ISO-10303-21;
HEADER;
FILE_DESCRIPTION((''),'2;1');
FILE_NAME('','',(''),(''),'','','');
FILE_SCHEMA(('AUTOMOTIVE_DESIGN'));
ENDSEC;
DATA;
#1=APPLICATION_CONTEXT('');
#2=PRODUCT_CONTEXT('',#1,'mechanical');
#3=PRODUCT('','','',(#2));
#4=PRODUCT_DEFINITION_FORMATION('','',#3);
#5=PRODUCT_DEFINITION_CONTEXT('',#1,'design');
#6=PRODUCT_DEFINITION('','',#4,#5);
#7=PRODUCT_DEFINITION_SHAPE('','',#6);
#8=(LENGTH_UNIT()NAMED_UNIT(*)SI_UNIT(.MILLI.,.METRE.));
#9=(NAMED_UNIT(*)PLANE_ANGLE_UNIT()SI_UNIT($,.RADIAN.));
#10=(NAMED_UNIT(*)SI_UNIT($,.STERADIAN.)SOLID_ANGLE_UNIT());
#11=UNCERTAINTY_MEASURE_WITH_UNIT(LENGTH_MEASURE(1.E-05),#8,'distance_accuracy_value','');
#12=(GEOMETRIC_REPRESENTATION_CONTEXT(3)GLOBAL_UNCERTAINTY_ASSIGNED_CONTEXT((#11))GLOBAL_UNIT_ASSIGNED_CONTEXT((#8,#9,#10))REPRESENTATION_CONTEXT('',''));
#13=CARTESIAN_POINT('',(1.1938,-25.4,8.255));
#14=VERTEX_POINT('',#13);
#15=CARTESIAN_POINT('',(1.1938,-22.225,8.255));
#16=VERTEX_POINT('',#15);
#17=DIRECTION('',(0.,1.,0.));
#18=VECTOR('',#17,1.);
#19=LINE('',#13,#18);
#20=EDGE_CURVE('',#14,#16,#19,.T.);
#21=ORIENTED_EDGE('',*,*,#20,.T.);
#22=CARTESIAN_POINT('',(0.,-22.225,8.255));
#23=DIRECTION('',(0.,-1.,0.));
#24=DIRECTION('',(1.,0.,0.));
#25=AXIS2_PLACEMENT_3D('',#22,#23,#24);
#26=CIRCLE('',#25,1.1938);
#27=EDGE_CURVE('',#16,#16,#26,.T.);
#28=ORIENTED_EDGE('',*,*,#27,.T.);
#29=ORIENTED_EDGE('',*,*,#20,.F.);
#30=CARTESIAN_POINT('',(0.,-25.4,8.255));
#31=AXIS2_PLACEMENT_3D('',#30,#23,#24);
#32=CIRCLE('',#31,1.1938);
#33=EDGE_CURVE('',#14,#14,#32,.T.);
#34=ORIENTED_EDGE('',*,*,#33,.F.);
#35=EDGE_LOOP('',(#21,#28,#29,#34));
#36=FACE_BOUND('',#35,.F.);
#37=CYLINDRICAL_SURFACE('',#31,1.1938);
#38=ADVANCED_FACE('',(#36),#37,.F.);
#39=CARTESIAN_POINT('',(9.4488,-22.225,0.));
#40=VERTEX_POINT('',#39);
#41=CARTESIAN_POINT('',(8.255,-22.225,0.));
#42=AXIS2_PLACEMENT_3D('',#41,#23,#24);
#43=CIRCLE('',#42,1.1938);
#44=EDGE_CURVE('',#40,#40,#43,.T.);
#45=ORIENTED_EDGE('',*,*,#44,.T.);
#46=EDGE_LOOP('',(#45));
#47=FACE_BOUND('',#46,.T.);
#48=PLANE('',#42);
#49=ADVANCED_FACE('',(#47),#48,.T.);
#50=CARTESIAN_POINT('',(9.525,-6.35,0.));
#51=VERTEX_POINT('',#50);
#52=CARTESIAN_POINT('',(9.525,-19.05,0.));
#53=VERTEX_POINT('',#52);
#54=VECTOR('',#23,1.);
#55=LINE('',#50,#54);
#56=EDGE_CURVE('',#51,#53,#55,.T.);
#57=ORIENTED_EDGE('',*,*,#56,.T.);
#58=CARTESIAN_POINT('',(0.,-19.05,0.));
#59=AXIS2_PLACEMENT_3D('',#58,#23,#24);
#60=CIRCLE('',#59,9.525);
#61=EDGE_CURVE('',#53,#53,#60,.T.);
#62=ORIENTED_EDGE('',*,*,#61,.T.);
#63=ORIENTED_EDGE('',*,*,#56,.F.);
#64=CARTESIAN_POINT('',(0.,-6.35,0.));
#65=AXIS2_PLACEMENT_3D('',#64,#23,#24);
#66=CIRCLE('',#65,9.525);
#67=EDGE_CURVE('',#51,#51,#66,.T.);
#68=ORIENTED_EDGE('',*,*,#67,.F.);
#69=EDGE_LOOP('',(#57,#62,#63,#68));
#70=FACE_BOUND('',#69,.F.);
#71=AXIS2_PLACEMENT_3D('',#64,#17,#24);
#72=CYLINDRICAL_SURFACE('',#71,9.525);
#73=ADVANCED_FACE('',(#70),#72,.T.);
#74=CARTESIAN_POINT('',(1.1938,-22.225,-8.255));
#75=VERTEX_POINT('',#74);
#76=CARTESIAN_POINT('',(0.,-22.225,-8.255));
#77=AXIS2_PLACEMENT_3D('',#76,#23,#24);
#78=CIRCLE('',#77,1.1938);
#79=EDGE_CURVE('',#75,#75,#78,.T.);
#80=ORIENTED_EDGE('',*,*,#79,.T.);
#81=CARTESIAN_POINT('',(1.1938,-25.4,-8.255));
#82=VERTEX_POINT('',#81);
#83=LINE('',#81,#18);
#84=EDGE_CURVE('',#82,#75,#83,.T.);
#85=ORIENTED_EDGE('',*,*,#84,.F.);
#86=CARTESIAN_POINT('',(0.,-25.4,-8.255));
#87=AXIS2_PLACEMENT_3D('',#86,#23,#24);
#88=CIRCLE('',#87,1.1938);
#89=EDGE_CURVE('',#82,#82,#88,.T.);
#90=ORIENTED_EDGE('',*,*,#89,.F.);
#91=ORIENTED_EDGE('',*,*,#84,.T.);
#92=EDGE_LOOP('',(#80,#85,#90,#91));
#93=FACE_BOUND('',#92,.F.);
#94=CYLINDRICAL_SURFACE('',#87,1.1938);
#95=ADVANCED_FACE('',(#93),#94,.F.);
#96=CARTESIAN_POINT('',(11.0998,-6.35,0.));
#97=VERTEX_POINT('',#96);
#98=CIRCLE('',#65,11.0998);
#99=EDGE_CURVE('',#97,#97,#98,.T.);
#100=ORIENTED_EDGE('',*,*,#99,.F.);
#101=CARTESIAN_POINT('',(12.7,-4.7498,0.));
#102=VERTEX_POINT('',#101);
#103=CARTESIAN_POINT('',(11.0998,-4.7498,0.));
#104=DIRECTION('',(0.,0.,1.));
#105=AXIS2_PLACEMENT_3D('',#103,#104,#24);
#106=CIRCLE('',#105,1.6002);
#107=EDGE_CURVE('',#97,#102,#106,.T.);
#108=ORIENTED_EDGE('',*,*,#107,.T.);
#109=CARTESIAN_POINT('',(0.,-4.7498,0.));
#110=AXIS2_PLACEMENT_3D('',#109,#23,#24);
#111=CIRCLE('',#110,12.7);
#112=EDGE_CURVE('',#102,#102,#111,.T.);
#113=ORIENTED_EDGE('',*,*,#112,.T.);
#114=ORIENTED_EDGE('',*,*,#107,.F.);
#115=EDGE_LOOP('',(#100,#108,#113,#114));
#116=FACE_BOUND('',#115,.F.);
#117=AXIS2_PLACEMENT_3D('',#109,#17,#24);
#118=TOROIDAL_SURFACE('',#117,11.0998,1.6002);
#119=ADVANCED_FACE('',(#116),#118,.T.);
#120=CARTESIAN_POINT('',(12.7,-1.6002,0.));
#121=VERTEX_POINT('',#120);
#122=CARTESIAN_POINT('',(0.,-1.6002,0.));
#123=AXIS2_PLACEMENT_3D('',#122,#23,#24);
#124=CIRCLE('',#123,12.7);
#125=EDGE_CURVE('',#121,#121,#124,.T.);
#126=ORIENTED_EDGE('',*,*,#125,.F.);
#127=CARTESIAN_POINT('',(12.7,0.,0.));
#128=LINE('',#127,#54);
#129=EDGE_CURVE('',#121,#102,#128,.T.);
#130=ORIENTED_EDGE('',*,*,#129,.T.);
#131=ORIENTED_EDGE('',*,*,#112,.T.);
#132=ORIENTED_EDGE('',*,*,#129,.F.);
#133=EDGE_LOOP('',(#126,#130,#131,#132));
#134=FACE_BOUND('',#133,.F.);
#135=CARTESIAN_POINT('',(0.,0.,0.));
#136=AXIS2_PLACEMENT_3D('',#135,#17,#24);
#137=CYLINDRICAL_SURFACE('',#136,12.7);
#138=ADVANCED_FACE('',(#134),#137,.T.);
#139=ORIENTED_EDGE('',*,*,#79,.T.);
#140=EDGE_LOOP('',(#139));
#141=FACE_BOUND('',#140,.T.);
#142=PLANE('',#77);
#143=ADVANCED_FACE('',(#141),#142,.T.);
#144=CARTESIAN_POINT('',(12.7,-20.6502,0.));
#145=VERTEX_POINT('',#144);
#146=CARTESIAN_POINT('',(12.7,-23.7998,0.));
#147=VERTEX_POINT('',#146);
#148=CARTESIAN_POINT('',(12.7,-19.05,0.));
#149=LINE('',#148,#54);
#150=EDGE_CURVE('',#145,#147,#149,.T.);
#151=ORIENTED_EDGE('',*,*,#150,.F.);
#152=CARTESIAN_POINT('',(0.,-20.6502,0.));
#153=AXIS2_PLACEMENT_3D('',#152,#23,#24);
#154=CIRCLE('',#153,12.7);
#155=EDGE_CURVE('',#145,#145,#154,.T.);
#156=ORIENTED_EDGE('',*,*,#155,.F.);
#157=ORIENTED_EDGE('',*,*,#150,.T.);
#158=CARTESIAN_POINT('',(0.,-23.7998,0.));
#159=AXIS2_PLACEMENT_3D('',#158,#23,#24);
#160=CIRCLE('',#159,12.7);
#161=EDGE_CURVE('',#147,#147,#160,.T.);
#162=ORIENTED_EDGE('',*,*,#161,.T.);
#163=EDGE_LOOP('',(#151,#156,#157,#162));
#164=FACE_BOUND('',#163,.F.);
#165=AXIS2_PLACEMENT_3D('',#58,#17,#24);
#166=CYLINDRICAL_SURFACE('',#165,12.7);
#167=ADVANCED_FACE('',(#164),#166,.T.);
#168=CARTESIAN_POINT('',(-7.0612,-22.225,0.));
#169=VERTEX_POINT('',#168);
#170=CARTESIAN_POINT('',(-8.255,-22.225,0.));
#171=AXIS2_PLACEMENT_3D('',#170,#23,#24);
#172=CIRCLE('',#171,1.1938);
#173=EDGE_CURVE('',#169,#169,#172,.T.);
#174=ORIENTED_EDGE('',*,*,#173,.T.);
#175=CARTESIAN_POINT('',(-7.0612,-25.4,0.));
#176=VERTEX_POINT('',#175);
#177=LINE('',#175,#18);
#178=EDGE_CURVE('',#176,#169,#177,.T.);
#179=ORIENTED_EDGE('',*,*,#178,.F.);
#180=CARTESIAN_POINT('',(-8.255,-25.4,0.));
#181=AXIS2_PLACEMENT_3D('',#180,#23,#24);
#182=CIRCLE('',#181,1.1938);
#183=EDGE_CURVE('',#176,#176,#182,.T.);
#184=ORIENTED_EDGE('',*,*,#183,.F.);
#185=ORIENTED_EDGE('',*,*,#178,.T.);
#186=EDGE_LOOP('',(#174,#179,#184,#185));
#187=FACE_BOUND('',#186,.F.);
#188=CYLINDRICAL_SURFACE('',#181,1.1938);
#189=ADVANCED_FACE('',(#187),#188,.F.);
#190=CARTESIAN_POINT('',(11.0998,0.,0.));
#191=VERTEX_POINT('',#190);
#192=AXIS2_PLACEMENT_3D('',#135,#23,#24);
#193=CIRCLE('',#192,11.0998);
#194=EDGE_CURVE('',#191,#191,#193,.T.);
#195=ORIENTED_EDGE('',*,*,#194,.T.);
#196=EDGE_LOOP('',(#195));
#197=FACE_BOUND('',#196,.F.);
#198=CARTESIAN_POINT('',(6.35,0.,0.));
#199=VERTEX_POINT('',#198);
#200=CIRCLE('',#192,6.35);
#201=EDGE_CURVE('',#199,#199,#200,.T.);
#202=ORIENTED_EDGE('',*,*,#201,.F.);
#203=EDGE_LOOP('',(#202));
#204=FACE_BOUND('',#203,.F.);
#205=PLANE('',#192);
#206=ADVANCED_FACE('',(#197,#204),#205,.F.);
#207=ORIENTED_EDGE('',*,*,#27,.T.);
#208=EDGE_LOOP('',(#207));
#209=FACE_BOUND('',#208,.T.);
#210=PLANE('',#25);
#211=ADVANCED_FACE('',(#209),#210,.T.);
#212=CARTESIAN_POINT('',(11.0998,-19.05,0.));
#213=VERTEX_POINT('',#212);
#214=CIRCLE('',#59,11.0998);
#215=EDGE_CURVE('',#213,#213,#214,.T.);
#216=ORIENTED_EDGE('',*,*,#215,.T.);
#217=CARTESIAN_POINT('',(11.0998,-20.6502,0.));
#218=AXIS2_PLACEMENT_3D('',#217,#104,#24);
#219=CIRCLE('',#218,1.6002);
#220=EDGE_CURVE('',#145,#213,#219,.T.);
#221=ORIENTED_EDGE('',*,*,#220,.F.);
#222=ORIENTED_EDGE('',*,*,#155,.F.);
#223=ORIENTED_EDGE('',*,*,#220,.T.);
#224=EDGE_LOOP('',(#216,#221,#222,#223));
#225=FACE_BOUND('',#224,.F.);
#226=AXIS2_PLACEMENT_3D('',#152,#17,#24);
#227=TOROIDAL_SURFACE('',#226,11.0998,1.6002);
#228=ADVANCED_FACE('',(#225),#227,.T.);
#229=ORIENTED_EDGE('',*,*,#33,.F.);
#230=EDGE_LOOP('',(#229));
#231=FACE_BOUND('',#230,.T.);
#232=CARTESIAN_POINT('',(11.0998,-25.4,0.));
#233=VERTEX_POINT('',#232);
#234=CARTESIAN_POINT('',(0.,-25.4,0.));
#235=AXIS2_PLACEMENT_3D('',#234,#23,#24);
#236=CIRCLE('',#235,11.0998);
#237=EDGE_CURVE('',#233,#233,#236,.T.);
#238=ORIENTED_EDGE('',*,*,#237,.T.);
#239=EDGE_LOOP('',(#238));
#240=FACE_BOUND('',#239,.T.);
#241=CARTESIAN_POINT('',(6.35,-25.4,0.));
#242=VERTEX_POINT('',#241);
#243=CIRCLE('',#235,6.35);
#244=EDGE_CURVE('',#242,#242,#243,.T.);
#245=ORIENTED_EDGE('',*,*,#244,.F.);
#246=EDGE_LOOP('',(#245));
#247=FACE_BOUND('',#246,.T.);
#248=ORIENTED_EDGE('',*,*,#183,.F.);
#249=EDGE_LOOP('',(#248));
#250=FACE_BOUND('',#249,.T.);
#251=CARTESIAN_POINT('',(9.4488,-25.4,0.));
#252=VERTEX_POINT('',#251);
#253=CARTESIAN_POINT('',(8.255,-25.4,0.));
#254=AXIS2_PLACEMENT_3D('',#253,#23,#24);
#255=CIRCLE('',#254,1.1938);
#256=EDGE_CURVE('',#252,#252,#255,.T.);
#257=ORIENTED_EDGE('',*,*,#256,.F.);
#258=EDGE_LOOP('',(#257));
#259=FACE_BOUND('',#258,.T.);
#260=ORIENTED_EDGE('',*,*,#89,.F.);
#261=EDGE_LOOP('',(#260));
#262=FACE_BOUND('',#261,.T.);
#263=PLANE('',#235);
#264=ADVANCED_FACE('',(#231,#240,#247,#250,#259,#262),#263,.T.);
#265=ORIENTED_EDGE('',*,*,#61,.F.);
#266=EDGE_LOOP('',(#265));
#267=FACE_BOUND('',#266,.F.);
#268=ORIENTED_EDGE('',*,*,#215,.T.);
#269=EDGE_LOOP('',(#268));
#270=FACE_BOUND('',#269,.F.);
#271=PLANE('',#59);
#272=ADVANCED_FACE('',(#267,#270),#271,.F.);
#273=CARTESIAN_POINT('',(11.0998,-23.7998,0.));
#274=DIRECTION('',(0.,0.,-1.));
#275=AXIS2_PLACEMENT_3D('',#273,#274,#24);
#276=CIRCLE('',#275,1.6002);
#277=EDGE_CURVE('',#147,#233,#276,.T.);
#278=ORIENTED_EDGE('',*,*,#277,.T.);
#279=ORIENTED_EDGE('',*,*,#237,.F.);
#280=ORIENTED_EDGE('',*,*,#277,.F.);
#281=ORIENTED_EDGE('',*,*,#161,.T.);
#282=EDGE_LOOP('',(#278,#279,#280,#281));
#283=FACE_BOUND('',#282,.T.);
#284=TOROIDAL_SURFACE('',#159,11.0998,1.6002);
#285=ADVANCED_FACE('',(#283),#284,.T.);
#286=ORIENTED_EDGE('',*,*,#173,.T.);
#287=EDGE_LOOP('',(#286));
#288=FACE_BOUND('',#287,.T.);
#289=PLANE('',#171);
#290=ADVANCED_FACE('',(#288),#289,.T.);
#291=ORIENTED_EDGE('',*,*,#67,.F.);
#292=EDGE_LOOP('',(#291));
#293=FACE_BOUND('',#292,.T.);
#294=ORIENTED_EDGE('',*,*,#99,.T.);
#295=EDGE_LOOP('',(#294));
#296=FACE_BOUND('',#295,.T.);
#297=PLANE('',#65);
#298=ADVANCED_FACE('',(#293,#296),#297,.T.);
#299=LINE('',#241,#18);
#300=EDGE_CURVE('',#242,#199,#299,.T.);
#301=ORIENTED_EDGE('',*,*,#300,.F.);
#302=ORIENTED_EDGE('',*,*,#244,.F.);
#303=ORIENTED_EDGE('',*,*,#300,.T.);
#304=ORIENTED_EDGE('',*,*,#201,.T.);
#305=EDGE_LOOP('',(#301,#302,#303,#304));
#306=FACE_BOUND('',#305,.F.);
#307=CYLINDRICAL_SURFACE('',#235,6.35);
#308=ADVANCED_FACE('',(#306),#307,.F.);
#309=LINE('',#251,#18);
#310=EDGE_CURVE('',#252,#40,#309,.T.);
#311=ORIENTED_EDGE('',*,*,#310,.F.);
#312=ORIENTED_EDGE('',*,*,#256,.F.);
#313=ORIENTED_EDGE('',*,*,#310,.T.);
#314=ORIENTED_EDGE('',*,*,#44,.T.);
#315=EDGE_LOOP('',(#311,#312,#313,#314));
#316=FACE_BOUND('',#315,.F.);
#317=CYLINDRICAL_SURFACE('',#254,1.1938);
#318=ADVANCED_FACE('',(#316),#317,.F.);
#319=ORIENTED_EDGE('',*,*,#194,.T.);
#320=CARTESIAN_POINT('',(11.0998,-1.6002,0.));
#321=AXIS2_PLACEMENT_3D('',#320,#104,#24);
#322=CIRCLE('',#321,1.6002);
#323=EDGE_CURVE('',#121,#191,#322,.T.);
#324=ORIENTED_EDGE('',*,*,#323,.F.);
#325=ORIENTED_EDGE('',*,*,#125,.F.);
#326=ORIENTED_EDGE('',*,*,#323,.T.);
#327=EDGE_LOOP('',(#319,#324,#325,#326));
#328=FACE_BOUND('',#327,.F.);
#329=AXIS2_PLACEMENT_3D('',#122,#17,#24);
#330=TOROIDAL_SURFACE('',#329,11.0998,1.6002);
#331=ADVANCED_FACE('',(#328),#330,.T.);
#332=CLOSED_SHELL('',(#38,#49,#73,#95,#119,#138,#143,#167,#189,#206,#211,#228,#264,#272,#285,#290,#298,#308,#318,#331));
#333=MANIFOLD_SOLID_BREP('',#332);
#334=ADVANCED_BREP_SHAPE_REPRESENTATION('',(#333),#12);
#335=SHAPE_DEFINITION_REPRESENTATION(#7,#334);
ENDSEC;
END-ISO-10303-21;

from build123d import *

# Parameters (mm, degrees)
F0_R      = 12.7
F1_DEPTH  = 6.35
F2_R      = 9.525
F3_DEPTH  = 12.7
F4_R      = 12.7
F5_DEPTH  = 6.35
F6_R      = 1.6002
F7_R      = 1.1938
F8_DEPTH  = 3.175
F9_R      = 6.35
F10_DEPTH = 25.401


with BuildPart() as f1:
    # F0 (on Front) → F1 (new body)
    with BuildSketch(Plane.XZ):
        Circle(F0_R)
    extrude(amount=F1_DEPTH)

    # F2 (on face) → F3 (join)
    with BuildSketch(Plane.XZ.offset(6.35)):
        Circle(F2_R)
    extrude(amount=F3_DEPTH)

    # F4 (on face) → F5 (join)
    with BuildSketch(Plane.XZ.offset(19.05)):
        Circle(F4_R)
    extrude(amount=F5_DEPTH)

    # F6
    f6_edges = [f1.edges().sort_by_distance(p)[0] for p in [
        (-12.7, -25.4, 0),
        (-12.7, -19.05, 0),
        (-12.7, -6.35, 0),
        (-12.7, 0, 0),
    ]]
    fillet(f6_edges, radius=F6_R)

    # F7 (on face) → F8 (cut)
    with BuildSketch(Plane.XZ.offset(25.4)):
        with Locations((-8.255, 0)):
            Circle(F7_R)
        with Locations((0, -8.255)):
            Circle(F7_R)
        with Locations((8.255, 0)):
            Circle(F7_R)
        with Locations((0, 8.255)):
            Circle(F7_R)
    extrude(amount=-F8_DEPTH, mode=Mode.SUBTRACT)

    # F9 (on face) → F10 (cut, through all)
    with BuildSketch(Plane.XZ.offset(25.4)):
        Circle(F9_R)
    extrude(amount=-F10_DEPTH, mode=Mode.SUBTRACT)


solid = f1.part
